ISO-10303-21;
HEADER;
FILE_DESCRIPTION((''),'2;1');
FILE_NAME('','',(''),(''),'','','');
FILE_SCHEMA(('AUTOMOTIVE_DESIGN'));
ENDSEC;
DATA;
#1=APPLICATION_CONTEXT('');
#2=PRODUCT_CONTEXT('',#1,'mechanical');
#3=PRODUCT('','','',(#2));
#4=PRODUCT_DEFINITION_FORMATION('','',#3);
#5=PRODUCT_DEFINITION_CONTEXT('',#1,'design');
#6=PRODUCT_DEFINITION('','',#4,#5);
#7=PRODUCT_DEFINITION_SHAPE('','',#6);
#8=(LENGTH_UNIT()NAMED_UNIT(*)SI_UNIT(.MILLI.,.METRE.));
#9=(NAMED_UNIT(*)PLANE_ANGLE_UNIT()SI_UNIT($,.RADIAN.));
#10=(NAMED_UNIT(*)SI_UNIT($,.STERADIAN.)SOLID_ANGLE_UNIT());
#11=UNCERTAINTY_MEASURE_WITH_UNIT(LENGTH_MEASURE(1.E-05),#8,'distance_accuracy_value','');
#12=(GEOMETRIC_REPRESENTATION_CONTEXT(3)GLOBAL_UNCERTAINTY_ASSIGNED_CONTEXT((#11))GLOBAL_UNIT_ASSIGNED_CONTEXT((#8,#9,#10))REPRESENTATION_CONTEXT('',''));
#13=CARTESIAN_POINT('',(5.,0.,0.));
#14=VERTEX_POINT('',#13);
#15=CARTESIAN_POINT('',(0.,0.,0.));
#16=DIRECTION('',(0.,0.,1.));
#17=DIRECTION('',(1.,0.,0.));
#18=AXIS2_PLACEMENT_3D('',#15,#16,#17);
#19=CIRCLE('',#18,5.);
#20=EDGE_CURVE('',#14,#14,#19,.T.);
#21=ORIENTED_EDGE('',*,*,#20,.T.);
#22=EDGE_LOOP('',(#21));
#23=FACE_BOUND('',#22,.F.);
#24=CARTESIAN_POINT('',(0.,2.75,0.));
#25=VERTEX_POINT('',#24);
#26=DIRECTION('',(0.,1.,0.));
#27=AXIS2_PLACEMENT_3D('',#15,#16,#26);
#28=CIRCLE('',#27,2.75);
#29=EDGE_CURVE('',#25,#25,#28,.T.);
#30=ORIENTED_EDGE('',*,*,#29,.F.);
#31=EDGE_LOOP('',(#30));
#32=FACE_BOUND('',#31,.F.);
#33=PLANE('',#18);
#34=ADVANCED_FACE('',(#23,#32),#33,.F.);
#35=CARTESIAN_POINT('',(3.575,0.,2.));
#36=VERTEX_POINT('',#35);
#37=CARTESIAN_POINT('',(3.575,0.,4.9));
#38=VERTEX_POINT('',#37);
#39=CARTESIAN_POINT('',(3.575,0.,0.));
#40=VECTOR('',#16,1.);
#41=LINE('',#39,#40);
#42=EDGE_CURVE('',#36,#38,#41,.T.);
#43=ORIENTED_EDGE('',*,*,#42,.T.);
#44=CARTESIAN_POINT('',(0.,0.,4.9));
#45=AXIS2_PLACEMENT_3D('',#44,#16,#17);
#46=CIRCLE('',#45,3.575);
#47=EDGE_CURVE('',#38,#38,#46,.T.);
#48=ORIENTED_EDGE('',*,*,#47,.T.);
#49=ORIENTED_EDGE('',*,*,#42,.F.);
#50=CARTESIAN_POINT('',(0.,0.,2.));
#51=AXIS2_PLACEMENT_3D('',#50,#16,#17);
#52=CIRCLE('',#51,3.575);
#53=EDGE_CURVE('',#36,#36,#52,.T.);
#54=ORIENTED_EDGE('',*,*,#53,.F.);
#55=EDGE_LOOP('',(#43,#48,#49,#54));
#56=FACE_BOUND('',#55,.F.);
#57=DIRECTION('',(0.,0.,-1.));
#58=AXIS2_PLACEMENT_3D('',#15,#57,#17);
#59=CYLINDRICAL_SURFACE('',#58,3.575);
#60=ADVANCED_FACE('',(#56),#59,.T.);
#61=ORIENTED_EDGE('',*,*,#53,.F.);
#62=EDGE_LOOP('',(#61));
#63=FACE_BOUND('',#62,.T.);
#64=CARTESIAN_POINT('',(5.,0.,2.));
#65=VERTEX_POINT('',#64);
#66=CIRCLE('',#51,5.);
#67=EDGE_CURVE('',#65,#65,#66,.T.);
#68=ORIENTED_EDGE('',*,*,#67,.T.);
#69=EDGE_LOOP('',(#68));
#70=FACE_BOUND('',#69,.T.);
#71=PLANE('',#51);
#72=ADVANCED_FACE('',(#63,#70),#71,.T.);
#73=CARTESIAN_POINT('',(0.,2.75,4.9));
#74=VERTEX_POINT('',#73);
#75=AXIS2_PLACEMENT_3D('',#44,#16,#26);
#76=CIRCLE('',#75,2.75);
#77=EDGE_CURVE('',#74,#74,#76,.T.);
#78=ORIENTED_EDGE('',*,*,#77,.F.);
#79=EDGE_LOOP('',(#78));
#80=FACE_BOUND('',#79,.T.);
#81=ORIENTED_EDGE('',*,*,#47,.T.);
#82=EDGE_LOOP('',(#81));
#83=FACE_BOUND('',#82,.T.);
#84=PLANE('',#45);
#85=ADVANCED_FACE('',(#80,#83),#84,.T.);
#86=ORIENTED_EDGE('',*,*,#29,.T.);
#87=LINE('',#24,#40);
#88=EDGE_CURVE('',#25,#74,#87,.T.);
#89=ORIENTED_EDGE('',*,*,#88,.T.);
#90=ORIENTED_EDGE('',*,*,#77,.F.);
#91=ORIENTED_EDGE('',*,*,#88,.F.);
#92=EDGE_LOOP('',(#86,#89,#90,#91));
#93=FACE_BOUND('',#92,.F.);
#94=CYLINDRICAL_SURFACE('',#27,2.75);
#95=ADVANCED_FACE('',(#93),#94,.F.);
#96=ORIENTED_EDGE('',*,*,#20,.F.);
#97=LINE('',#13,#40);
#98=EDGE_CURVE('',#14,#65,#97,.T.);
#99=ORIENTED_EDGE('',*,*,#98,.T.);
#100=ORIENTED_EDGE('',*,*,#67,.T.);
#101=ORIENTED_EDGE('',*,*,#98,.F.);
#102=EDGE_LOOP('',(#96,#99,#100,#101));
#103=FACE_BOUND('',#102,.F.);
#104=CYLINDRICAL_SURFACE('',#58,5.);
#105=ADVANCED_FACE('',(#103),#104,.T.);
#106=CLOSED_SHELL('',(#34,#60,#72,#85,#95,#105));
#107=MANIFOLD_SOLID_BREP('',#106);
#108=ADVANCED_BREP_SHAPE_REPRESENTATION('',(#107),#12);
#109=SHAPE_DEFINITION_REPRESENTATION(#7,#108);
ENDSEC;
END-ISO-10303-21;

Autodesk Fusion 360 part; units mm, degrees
sketch "Sketch1" plane through (0, 0, 0) normal (0, 0, 1) x (1, 0, 0)
  circle A0 centre (0, 0) radius 5
  circle A1 centre (0, 0) radius 3.575
  dimension "d1" = 10
  dimension "d2" = 7.15
extrude "Extrude1" add sketch "Sketch1" along normal blind 2
extrude "Extrude2" add sketch "Sketch1" along normal blind 4.9 contours A1
hole "Hole1" at (0, 0, 0) direction (0, 0, 1) diameter 5.5 depth 10 tip angle 118
